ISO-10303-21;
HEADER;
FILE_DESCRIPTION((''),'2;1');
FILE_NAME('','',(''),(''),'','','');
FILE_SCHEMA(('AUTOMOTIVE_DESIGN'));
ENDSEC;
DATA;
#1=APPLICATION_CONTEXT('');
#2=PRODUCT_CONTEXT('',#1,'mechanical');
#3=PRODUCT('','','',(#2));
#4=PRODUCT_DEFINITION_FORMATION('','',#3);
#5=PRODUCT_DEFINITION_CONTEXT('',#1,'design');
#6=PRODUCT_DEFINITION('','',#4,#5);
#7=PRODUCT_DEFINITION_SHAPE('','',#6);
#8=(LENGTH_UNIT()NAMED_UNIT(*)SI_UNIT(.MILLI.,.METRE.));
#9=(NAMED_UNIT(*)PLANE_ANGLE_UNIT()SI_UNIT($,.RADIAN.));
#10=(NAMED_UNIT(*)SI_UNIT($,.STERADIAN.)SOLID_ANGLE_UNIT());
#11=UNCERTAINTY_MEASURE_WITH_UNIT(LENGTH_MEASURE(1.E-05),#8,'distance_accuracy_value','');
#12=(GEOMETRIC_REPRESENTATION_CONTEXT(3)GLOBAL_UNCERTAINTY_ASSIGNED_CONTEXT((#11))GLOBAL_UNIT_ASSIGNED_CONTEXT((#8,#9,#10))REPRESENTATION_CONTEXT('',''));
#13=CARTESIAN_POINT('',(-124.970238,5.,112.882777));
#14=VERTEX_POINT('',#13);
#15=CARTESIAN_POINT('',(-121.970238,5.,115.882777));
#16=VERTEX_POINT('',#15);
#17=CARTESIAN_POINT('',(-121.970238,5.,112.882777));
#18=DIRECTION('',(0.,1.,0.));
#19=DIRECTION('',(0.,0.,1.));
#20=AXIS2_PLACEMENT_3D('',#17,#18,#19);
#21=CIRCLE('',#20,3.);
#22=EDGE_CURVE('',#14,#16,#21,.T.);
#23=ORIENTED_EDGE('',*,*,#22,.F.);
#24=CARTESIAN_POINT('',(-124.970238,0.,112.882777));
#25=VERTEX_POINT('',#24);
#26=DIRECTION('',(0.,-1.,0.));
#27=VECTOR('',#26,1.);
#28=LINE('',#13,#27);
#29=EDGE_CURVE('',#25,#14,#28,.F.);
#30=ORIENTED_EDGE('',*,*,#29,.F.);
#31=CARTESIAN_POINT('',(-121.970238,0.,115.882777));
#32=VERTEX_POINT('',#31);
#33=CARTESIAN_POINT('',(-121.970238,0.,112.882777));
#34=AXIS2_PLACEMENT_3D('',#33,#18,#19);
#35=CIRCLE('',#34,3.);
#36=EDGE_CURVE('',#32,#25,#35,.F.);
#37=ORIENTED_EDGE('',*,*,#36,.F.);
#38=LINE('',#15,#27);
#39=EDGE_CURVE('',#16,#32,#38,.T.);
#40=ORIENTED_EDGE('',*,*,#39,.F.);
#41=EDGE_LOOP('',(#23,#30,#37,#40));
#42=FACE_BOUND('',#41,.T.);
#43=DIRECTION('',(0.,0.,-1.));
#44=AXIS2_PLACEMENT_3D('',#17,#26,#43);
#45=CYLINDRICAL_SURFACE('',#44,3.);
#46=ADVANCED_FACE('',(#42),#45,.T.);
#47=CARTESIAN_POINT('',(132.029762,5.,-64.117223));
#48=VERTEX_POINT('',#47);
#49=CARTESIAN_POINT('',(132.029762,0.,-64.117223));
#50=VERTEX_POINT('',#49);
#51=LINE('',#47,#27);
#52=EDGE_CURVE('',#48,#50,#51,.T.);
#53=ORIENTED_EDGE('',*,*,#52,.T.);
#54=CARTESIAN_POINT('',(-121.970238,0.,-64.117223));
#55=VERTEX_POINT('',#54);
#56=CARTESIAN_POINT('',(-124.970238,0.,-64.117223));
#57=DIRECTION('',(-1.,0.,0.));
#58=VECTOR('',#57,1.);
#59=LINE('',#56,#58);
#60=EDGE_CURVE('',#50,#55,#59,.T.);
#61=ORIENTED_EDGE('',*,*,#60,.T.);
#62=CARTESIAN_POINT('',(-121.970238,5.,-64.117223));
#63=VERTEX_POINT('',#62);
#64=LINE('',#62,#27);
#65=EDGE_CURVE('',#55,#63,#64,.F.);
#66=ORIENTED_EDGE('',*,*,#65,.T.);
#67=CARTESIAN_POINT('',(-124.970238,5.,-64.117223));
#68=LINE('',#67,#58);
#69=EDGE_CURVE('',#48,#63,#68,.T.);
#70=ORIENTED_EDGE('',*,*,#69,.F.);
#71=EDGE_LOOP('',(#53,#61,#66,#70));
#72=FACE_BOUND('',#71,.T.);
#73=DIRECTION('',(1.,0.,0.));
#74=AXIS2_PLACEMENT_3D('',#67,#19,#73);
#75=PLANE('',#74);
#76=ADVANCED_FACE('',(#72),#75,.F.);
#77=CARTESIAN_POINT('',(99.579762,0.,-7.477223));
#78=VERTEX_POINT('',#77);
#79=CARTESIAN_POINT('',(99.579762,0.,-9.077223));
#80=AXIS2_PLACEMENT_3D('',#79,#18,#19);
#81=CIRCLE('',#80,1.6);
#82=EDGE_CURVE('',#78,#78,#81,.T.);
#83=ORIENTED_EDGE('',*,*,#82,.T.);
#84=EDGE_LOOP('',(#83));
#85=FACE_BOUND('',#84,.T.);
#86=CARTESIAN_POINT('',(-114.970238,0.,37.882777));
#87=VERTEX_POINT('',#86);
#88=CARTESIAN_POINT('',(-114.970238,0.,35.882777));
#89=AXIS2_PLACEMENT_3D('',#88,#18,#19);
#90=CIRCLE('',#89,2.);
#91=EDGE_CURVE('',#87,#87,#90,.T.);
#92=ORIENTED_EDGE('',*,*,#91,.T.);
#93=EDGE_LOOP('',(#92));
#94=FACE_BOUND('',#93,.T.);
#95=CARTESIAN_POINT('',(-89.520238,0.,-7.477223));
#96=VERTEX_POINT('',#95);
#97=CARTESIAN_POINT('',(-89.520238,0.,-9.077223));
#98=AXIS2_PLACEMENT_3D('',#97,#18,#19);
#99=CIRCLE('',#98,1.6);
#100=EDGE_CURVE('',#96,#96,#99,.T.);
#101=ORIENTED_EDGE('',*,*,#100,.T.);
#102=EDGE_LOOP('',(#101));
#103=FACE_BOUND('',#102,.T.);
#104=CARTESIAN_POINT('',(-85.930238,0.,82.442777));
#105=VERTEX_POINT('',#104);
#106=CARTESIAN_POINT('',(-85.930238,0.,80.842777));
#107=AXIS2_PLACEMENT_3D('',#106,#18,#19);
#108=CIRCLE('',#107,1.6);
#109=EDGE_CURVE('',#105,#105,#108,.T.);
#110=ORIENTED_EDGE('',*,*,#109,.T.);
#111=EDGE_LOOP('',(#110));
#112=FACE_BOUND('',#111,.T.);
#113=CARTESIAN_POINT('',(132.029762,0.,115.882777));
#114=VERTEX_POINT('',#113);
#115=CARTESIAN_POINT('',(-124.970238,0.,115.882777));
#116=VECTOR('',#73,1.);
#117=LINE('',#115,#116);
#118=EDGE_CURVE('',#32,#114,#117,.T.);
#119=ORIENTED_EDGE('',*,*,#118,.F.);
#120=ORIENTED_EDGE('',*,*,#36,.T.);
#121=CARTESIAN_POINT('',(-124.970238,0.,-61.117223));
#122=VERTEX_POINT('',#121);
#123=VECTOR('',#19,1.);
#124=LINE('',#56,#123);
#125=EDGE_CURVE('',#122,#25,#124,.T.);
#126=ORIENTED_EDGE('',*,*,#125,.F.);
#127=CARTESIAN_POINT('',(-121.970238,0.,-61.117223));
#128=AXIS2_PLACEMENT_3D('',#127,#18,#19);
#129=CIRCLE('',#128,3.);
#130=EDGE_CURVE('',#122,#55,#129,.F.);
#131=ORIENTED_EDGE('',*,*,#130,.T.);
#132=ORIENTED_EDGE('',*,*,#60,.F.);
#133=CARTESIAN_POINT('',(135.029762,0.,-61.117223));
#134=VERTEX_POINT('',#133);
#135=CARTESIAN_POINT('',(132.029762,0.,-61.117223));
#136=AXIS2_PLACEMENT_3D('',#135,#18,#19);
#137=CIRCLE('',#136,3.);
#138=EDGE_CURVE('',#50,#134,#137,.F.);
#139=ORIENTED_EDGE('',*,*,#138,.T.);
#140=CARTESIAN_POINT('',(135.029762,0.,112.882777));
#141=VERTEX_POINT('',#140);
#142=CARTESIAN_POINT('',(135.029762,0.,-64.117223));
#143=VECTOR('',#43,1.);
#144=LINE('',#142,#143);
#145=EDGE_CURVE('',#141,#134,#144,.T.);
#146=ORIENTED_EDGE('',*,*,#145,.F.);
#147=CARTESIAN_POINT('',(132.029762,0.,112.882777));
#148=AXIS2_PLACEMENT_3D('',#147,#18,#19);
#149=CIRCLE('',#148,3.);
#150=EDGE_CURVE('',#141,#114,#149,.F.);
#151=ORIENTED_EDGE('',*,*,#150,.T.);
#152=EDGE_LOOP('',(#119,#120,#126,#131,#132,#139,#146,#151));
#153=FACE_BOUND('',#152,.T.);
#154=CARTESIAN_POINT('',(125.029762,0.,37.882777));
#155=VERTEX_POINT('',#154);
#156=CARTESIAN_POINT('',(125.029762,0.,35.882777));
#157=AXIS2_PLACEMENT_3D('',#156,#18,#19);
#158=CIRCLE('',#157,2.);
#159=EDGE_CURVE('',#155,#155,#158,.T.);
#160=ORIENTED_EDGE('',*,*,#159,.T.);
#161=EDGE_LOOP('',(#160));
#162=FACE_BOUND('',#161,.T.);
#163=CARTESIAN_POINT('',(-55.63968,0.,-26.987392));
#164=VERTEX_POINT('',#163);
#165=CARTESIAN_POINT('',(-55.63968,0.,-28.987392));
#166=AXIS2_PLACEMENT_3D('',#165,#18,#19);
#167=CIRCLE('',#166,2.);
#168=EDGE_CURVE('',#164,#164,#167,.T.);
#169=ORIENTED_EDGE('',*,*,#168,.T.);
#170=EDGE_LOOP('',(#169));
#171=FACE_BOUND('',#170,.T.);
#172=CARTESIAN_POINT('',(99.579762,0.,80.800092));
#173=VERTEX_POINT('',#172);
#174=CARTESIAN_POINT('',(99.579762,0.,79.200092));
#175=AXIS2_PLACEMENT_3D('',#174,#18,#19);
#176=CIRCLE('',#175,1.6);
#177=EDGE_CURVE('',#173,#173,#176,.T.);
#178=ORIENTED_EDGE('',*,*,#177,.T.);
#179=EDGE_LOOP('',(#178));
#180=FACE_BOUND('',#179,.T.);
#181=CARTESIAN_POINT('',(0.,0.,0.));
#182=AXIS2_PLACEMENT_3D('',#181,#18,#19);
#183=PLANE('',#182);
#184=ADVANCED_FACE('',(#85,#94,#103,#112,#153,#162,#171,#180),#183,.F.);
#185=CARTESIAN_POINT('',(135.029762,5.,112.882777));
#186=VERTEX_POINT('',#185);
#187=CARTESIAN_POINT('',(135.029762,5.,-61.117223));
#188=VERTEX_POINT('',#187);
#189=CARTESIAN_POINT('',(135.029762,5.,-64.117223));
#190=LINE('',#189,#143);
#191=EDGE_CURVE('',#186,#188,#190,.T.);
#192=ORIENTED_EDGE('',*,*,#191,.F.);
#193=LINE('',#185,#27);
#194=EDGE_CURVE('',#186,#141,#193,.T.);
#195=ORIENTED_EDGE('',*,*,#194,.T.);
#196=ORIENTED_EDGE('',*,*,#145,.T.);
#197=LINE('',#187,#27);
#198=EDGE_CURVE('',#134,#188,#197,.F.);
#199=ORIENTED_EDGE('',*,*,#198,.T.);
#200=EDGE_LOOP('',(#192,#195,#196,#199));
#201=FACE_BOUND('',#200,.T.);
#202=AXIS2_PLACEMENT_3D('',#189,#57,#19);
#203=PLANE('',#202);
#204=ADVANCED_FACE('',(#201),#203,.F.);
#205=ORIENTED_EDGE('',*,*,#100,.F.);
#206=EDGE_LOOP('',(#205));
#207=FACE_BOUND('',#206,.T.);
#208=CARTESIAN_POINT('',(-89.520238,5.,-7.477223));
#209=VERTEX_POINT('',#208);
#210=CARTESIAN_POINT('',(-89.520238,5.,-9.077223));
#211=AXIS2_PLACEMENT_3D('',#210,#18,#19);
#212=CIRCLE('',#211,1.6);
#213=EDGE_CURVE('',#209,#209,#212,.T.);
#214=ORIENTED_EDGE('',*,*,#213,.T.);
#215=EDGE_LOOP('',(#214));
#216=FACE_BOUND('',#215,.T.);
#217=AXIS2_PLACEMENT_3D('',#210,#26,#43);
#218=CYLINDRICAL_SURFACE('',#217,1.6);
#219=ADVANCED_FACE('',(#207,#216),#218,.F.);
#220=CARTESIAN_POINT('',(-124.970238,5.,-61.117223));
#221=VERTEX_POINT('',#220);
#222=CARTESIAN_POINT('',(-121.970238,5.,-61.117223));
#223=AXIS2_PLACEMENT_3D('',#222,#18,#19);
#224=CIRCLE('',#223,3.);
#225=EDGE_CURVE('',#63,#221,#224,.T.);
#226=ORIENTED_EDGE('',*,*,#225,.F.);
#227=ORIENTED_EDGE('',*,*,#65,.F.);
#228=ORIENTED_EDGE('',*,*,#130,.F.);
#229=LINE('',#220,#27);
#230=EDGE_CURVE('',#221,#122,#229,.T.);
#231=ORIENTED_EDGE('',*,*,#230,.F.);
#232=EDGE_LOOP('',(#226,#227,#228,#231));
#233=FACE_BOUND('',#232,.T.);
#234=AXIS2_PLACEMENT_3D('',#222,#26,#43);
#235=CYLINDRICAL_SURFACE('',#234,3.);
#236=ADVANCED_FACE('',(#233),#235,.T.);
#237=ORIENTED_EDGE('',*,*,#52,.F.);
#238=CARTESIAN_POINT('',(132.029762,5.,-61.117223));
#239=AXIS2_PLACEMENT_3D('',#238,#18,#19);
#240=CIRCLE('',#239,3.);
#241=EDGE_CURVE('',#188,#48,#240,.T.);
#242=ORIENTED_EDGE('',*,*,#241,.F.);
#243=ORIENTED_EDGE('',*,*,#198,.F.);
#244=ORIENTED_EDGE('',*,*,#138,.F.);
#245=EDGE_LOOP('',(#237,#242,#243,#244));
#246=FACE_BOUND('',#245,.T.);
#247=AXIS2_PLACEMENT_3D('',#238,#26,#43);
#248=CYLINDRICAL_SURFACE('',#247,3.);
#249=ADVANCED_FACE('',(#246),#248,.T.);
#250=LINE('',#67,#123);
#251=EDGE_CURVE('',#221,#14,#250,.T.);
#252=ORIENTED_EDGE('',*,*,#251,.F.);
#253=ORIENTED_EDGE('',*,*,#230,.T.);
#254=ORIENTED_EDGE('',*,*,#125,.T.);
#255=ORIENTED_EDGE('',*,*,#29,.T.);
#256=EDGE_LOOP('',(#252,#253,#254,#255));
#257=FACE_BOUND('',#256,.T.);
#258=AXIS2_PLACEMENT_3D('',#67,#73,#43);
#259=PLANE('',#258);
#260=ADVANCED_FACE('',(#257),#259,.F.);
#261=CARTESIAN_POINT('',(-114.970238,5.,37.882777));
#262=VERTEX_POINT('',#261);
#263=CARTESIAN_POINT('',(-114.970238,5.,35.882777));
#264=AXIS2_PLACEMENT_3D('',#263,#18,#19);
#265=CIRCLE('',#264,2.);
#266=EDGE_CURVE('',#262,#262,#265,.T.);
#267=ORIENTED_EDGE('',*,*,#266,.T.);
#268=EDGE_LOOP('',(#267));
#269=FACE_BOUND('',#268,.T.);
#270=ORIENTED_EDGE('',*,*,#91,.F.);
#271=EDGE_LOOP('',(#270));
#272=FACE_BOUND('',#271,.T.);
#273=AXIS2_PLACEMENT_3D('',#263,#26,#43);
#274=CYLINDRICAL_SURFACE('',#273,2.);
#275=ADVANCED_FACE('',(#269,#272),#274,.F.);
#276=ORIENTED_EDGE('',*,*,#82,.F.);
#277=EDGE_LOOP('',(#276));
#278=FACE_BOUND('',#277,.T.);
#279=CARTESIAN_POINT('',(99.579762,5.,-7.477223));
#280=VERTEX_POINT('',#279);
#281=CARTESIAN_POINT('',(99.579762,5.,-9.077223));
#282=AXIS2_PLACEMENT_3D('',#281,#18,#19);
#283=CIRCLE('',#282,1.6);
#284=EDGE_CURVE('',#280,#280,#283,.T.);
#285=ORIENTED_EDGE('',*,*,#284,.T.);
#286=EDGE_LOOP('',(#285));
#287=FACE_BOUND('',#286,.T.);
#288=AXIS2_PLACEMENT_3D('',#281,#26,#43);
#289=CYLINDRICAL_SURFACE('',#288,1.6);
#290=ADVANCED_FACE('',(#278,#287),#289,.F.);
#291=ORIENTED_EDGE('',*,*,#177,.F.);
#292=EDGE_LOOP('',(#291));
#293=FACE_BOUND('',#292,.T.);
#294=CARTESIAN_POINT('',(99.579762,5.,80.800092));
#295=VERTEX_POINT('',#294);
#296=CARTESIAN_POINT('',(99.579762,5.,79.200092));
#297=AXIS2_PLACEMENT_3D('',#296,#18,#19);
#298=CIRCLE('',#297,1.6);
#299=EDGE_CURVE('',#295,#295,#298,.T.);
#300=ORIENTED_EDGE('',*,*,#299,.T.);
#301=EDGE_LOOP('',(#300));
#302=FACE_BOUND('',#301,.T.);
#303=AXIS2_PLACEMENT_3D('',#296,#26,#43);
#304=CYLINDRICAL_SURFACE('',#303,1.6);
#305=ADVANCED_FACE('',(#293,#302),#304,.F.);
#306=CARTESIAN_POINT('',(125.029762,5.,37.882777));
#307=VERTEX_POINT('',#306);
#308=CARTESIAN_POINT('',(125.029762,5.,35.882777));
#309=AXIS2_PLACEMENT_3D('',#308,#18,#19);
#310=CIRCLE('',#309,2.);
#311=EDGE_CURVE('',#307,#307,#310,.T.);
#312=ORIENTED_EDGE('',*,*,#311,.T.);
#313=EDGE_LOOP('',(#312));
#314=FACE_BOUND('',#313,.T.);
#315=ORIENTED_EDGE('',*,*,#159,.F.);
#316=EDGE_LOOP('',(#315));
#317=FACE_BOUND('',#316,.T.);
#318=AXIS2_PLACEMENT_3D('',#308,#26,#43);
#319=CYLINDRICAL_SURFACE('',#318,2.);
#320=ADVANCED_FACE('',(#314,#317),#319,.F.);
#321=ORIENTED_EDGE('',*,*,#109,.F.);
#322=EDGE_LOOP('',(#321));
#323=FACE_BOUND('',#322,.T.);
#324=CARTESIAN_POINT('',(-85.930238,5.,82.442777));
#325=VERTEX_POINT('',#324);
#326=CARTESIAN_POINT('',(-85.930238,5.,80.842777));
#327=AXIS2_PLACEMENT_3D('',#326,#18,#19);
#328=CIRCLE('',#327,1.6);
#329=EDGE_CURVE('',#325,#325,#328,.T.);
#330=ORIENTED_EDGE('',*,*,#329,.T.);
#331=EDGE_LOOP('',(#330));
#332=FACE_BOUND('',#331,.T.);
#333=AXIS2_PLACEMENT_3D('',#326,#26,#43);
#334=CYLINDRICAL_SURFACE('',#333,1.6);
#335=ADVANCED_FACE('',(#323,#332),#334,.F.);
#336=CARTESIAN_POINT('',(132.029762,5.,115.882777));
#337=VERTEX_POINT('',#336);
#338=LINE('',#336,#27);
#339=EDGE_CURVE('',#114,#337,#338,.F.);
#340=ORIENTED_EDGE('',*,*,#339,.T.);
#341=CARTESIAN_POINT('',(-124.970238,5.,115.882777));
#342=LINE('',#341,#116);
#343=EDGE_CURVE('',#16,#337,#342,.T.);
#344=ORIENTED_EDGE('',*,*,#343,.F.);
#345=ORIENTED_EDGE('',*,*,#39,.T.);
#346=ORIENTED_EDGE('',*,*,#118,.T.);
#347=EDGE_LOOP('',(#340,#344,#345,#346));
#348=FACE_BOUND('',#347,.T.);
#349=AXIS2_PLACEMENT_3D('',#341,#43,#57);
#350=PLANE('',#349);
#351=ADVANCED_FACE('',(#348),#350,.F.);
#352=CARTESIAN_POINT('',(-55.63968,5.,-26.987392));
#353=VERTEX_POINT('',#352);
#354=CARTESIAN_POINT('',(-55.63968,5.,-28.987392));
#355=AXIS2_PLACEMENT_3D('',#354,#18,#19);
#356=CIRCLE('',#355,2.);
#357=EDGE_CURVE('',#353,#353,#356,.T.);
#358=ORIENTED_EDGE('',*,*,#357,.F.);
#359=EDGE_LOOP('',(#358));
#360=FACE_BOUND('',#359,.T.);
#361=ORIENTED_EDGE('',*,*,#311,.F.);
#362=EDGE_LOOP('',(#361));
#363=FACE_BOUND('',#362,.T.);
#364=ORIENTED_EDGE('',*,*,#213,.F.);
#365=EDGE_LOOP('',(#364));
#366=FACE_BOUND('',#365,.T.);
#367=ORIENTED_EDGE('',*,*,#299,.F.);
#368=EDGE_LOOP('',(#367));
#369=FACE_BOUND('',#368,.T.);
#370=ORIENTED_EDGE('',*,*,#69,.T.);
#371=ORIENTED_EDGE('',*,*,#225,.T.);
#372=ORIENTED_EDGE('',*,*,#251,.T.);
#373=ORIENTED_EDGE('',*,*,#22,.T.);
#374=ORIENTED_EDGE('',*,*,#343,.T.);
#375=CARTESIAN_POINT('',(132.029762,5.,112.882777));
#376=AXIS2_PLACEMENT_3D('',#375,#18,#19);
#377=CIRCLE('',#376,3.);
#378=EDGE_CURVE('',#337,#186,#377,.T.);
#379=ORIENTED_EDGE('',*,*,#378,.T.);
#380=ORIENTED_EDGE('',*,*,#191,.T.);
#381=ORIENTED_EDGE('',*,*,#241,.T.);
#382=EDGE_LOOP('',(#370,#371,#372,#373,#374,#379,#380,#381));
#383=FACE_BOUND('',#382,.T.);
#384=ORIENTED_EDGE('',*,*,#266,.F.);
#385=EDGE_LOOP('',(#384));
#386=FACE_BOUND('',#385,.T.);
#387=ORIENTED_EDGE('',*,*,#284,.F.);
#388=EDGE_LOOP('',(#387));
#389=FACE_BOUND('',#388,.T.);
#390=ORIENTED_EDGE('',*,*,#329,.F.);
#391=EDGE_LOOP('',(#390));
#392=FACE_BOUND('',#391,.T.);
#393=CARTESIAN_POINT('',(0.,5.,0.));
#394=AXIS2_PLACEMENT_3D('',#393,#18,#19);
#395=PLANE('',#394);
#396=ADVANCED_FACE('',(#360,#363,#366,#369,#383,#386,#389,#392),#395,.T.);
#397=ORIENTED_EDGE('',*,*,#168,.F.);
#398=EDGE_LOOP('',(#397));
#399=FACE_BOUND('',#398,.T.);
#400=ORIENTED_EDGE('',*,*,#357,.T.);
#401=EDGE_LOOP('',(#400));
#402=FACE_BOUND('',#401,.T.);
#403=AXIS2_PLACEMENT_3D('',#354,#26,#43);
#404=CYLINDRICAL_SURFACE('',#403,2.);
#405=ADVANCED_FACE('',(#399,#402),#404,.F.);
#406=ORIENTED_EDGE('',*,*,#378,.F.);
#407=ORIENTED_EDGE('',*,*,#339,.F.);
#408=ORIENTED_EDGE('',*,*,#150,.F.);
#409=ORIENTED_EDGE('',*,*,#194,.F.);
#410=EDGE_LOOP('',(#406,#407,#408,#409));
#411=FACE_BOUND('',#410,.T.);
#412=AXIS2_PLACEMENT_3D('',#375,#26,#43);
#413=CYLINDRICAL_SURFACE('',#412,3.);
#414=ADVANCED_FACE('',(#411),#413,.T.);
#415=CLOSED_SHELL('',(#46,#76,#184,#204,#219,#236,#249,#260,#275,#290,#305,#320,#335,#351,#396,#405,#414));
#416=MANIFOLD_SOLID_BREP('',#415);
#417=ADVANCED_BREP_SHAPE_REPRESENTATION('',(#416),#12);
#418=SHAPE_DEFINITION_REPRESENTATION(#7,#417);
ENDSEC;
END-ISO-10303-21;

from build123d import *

# Parameters (mm, degrees)
SKETCH_1_W      = 260
SKETCH_1_H      = 180
SKETCH_1_R      = 1.6
SKETCH_1_R_2    = 2
EXTRUDE_1_DEPTH = 5
FILLET_1_R      = 3


with BuildPart() as part:
    # 草图1 → 凸台-拉伸1 (new body)
    with BuildSketch(Plane(origin=(0, 0, 0), x_dir=(1, 0, 0), z_dir=(0, 1, 0))):
        with Locations((5.029761905, -25.88277742)):
            Rectangle(SKETCH_1_W, SKETCH_1_H)
        with Locations(Location((-89.520238095, 9.07722258, 0), (0, 0, 270))):
            Circle(SKETCH_1_R, mode=Mode.SUBTRACT)
        with Locations(Location((99.579761905, 9.07722258, 0), (0, 0, 270))):
            Circle(SKETCH_1_R, mode=Mode.SUBTRACT)
        with Locations(Location((-85.930238095, -80.84277742, 0), (0, 0, 270))):
            Circle(SKETCH_1_R, mode=Mode.SUBTRACT)
        with Locations(Location((99.579761905, -79.200091518, 0), (0, 0, 270))):
            Circle(SKETCH_1_R, mode=Mode.SUBTRACT)
        with Locations(Location((-55.639680392, 28.987391576, 0), (0, 0, 270))):
            Circle(SKETCH_1_R_2, mode=Mode.SUBTRACT)
        with Locations(Location((-114.970238095, -35.88277742, 0), (0, 0, 270))):
            Circle(SKETCH_1_R_2, mode=Mode.SUBTRACT)
        with Locations(Location((125.029761905, -35.88277742, 0), (0, 0, 270))):
            Circle(SKETCH_1_R_2, mode=Mode.SUBTRACT)
    extrude(amount=EXTRUDE_1_DEPTH)

    # 圆角1
    fillet_1_edges = [part.edges().sort_by_distance(p)[0] for p in [
        (-124.970238095, 2.5, -64.11722258),
        (135.029761905, 2.5, -64.11722258),
        (135.029761905, 2.5, 115.88277742),
        (-124.970238095, 2.5, 115.88277742),
    ]]
    fillet(fillet_1_edges, radius=FILLET_1_R)


solid = part.part
